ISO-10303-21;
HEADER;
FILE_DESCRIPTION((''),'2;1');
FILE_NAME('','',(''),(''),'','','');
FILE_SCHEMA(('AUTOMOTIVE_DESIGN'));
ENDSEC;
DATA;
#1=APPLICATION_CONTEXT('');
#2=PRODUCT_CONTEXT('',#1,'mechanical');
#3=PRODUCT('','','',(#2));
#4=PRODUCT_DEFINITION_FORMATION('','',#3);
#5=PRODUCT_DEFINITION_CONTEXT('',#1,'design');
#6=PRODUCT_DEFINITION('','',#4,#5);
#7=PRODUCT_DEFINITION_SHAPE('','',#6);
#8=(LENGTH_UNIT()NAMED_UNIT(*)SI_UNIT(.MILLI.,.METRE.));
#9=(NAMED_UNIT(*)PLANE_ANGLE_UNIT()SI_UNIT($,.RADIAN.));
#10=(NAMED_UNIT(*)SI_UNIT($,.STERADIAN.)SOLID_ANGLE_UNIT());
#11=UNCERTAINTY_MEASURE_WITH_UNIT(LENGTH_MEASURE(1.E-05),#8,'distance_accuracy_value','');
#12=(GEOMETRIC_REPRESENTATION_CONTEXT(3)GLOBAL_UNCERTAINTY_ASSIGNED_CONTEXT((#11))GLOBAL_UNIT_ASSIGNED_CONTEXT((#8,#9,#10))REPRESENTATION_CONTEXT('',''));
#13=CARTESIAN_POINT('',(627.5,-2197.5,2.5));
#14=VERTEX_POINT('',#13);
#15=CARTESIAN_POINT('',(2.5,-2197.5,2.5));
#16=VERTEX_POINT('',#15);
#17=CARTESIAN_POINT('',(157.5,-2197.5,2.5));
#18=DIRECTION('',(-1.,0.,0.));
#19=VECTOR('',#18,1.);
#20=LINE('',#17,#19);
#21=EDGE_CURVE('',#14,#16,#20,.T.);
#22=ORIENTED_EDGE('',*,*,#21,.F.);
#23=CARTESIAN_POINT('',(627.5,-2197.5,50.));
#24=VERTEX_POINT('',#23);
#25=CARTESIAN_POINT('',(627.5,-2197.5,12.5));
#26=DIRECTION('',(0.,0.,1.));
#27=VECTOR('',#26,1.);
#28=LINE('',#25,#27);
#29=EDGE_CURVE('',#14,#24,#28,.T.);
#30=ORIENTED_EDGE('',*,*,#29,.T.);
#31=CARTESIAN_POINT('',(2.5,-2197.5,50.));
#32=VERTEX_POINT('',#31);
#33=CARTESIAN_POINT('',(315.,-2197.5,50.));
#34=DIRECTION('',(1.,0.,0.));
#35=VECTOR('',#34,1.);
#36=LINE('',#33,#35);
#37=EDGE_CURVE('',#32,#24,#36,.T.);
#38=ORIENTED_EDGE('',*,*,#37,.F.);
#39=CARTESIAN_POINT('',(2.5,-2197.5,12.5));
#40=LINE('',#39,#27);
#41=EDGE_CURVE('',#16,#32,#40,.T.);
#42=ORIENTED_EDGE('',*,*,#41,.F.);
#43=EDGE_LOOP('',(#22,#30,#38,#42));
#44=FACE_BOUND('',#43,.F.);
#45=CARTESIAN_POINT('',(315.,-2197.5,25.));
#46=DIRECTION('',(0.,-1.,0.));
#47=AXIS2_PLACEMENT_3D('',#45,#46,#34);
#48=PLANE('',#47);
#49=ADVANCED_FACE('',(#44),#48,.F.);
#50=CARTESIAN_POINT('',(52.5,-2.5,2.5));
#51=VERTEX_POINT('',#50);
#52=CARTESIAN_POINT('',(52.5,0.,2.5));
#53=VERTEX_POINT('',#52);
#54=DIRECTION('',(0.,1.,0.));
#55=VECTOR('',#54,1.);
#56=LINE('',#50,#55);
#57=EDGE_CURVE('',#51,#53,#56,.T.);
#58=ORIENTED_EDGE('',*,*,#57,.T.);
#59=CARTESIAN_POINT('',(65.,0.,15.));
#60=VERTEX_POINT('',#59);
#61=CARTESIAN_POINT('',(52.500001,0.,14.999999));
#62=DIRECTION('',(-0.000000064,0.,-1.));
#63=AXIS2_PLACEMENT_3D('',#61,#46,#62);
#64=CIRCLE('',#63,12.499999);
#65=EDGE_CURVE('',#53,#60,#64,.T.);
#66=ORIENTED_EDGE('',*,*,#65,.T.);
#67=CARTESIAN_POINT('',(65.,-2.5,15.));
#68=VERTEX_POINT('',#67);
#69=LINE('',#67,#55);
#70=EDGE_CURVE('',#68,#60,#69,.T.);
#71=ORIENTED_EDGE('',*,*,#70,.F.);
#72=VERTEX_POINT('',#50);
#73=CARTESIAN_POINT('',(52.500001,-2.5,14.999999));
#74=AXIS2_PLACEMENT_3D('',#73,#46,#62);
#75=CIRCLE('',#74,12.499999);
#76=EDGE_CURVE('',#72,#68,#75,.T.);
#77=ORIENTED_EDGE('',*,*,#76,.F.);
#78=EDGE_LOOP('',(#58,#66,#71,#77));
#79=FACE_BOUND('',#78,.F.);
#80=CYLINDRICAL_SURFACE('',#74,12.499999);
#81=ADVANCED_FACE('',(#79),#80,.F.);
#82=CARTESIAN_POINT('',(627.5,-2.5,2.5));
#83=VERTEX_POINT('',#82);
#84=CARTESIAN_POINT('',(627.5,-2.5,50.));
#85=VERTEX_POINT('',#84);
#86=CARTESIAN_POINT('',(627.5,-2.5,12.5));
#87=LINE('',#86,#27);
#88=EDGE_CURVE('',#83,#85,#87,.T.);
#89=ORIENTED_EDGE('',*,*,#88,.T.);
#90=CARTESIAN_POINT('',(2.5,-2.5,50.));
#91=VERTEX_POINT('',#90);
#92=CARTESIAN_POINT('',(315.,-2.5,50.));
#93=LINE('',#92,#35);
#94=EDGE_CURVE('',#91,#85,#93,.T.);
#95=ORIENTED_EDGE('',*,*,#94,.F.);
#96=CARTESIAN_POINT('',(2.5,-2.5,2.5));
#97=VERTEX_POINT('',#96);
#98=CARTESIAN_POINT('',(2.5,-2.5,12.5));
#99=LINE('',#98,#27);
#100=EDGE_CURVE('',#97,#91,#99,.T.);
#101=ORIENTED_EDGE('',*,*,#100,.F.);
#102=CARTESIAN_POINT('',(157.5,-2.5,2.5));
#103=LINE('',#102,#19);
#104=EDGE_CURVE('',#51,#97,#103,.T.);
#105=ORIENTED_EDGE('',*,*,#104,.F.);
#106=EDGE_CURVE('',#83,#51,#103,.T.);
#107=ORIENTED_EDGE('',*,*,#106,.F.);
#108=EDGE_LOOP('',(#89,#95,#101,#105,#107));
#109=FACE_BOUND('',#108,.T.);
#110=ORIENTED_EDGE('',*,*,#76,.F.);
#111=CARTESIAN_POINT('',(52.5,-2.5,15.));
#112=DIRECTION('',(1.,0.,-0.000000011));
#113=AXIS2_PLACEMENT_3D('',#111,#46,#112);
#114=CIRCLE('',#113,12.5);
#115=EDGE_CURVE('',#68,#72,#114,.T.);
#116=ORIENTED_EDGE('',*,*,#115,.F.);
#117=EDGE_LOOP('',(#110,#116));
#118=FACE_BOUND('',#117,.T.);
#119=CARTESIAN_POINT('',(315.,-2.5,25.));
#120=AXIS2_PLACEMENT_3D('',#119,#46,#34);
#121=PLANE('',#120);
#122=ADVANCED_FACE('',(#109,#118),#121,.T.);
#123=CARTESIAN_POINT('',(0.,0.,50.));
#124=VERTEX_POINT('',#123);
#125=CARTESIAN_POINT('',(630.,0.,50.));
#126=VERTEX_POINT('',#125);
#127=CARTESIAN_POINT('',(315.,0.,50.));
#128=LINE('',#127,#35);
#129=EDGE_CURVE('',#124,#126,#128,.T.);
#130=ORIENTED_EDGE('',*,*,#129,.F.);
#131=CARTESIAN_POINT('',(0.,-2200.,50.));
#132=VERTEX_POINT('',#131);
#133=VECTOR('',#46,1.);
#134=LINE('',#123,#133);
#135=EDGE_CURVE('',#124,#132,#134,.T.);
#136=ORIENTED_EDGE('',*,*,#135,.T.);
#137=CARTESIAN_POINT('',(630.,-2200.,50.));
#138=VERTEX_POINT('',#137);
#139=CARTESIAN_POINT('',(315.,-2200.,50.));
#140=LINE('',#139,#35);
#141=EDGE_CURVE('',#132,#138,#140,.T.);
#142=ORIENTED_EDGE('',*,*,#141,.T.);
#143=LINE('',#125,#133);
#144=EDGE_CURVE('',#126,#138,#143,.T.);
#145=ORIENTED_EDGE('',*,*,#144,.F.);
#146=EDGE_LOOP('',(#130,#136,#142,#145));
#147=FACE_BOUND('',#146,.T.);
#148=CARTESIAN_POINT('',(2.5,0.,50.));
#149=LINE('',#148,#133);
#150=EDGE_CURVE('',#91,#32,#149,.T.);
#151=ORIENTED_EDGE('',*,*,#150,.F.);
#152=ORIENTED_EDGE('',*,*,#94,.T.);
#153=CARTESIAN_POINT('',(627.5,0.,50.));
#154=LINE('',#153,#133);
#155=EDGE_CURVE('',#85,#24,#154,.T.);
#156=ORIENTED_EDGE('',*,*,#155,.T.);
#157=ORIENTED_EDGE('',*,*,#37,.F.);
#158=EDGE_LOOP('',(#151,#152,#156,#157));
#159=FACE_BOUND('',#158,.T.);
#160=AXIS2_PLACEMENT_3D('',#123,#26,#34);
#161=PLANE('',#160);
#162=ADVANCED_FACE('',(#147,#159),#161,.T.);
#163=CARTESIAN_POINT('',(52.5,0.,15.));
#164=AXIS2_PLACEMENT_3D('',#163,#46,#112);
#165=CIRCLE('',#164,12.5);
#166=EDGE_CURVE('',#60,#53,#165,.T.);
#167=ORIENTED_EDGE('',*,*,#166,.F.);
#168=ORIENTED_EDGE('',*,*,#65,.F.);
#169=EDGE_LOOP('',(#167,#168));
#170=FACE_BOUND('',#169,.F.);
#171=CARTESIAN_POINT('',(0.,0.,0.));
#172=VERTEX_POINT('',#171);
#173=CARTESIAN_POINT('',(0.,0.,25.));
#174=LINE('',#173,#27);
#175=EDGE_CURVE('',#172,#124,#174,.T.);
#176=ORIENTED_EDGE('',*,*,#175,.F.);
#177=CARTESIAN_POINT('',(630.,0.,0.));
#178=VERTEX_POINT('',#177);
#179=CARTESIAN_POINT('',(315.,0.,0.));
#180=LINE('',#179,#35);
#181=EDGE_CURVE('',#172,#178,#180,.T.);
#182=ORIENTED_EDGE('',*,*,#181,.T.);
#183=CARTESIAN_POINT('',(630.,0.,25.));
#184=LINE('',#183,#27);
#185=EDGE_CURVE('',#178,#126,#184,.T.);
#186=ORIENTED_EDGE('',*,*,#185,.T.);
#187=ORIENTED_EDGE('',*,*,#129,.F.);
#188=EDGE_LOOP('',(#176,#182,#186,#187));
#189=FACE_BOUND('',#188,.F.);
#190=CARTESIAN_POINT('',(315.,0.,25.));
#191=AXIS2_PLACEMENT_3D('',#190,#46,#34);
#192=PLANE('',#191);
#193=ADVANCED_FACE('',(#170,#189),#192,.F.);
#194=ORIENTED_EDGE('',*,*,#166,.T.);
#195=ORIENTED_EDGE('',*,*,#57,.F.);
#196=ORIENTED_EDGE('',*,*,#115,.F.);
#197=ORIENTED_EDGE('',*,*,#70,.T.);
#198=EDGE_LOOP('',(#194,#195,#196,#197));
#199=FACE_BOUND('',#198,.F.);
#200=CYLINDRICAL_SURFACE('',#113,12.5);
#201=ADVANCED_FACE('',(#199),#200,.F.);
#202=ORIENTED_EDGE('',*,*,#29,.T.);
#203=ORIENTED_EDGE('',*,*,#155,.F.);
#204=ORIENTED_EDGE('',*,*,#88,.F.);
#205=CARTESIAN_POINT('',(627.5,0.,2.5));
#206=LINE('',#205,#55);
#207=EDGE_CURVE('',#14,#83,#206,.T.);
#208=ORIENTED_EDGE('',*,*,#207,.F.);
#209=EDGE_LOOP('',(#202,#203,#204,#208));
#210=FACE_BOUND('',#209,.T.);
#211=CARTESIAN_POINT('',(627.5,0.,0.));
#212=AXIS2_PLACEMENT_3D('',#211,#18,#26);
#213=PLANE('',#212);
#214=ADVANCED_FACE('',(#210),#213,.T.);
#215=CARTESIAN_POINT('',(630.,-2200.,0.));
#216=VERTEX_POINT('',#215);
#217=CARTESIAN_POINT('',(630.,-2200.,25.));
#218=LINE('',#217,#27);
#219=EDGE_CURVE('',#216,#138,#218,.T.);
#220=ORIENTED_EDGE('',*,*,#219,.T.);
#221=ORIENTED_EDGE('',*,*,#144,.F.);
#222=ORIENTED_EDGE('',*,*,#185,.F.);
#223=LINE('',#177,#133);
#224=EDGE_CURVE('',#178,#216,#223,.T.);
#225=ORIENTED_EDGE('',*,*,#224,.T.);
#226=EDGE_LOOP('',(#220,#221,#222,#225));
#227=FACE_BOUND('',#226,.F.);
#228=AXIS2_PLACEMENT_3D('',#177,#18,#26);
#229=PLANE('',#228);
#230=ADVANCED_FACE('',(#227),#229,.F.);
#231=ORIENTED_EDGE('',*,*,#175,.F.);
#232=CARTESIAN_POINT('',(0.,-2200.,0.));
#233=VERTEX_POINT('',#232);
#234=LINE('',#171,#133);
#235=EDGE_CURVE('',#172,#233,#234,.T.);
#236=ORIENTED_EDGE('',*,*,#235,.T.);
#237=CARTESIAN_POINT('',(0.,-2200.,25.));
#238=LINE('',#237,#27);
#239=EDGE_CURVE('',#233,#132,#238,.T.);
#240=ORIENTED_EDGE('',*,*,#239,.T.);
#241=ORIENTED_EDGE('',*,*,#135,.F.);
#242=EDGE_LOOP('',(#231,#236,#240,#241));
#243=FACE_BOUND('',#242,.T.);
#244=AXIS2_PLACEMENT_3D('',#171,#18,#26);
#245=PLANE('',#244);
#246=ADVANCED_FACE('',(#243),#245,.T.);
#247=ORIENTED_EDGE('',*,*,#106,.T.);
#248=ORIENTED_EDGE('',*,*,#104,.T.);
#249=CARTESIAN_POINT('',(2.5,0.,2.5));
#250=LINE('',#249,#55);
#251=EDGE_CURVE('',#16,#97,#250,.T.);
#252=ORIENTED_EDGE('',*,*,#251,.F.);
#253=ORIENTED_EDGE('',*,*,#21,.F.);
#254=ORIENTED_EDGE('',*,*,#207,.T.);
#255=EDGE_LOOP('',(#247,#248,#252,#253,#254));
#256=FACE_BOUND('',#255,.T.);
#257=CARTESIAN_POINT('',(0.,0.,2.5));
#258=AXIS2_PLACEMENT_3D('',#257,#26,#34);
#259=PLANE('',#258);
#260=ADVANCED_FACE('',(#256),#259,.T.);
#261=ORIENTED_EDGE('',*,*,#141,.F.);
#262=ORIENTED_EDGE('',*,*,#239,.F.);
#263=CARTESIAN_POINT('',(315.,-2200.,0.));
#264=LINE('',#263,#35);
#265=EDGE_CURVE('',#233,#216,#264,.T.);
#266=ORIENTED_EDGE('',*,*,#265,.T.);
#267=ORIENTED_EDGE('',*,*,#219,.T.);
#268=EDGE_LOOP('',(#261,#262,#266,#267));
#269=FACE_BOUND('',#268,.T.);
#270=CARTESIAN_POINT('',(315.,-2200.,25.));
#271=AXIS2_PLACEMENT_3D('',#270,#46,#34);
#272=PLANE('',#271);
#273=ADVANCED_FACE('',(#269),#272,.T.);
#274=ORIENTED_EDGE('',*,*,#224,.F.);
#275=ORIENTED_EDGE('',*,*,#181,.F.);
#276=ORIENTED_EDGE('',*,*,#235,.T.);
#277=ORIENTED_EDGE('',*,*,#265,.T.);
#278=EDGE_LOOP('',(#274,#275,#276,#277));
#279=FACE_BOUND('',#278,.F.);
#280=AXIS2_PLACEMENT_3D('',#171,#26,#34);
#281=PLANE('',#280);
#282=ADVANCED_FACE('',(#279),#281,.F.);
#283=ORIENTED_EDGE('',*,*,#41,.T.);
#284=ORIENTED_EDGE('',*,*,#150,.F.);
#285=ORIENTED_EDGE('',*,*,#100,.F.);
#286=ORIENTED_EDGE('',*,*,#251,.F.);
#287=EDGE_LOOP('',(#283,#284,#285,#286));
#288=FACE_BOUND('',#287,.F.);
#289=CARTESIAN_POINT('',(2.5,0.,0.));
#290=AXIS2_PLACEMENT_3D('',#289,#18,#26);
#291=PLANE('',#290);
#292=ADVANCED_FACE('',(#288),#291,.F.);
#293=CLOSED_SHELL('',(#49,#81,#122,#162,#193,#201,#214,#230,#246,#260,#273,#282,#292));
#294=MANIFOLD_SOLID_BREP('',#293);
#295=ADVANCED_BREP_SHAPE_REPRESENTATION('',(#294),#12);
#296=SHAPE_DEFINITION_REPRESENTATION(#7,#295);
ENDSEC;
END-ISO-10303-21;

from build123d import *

# Parameters (mm, degrees)
F0_W     = 630
F0_H     = 50
F1_DEPTH = 2200
F2_T     = -2.5
F4_DEPTH = 30


with BuildPart() as f1:
    # F0 (on Front) → F1 (new body)
    with BuildSketch(Plane.XZ):
        with Locations((315, 25)):
            Rectangle(F0_W, F0_H)
    extrude(amount=F1_DEPTH)

    # F2
    f2_openings = [f1.faces().sort_by_distance(p)[0] for p in [
        (315, -1100, 50),
    ]]
    offset(amount=F2_T, openings=f2_openings)

    # F3 (on face) → F4 (cut)
    with BuildSketch(Plane.XZ.offset(2.5)):
        with BuildLine():
            ThreePointArc((52.5, 2.5), (61.338835, 6.161165), (65, 15))
            ThreePointArc((65, 15), (43.661165, 23.838835), (52.5, 2.5))
        make_face()
    extrude(amount=-F4_DEPTH, mode=Mode.SUBTRACT)


solid = f1.part
